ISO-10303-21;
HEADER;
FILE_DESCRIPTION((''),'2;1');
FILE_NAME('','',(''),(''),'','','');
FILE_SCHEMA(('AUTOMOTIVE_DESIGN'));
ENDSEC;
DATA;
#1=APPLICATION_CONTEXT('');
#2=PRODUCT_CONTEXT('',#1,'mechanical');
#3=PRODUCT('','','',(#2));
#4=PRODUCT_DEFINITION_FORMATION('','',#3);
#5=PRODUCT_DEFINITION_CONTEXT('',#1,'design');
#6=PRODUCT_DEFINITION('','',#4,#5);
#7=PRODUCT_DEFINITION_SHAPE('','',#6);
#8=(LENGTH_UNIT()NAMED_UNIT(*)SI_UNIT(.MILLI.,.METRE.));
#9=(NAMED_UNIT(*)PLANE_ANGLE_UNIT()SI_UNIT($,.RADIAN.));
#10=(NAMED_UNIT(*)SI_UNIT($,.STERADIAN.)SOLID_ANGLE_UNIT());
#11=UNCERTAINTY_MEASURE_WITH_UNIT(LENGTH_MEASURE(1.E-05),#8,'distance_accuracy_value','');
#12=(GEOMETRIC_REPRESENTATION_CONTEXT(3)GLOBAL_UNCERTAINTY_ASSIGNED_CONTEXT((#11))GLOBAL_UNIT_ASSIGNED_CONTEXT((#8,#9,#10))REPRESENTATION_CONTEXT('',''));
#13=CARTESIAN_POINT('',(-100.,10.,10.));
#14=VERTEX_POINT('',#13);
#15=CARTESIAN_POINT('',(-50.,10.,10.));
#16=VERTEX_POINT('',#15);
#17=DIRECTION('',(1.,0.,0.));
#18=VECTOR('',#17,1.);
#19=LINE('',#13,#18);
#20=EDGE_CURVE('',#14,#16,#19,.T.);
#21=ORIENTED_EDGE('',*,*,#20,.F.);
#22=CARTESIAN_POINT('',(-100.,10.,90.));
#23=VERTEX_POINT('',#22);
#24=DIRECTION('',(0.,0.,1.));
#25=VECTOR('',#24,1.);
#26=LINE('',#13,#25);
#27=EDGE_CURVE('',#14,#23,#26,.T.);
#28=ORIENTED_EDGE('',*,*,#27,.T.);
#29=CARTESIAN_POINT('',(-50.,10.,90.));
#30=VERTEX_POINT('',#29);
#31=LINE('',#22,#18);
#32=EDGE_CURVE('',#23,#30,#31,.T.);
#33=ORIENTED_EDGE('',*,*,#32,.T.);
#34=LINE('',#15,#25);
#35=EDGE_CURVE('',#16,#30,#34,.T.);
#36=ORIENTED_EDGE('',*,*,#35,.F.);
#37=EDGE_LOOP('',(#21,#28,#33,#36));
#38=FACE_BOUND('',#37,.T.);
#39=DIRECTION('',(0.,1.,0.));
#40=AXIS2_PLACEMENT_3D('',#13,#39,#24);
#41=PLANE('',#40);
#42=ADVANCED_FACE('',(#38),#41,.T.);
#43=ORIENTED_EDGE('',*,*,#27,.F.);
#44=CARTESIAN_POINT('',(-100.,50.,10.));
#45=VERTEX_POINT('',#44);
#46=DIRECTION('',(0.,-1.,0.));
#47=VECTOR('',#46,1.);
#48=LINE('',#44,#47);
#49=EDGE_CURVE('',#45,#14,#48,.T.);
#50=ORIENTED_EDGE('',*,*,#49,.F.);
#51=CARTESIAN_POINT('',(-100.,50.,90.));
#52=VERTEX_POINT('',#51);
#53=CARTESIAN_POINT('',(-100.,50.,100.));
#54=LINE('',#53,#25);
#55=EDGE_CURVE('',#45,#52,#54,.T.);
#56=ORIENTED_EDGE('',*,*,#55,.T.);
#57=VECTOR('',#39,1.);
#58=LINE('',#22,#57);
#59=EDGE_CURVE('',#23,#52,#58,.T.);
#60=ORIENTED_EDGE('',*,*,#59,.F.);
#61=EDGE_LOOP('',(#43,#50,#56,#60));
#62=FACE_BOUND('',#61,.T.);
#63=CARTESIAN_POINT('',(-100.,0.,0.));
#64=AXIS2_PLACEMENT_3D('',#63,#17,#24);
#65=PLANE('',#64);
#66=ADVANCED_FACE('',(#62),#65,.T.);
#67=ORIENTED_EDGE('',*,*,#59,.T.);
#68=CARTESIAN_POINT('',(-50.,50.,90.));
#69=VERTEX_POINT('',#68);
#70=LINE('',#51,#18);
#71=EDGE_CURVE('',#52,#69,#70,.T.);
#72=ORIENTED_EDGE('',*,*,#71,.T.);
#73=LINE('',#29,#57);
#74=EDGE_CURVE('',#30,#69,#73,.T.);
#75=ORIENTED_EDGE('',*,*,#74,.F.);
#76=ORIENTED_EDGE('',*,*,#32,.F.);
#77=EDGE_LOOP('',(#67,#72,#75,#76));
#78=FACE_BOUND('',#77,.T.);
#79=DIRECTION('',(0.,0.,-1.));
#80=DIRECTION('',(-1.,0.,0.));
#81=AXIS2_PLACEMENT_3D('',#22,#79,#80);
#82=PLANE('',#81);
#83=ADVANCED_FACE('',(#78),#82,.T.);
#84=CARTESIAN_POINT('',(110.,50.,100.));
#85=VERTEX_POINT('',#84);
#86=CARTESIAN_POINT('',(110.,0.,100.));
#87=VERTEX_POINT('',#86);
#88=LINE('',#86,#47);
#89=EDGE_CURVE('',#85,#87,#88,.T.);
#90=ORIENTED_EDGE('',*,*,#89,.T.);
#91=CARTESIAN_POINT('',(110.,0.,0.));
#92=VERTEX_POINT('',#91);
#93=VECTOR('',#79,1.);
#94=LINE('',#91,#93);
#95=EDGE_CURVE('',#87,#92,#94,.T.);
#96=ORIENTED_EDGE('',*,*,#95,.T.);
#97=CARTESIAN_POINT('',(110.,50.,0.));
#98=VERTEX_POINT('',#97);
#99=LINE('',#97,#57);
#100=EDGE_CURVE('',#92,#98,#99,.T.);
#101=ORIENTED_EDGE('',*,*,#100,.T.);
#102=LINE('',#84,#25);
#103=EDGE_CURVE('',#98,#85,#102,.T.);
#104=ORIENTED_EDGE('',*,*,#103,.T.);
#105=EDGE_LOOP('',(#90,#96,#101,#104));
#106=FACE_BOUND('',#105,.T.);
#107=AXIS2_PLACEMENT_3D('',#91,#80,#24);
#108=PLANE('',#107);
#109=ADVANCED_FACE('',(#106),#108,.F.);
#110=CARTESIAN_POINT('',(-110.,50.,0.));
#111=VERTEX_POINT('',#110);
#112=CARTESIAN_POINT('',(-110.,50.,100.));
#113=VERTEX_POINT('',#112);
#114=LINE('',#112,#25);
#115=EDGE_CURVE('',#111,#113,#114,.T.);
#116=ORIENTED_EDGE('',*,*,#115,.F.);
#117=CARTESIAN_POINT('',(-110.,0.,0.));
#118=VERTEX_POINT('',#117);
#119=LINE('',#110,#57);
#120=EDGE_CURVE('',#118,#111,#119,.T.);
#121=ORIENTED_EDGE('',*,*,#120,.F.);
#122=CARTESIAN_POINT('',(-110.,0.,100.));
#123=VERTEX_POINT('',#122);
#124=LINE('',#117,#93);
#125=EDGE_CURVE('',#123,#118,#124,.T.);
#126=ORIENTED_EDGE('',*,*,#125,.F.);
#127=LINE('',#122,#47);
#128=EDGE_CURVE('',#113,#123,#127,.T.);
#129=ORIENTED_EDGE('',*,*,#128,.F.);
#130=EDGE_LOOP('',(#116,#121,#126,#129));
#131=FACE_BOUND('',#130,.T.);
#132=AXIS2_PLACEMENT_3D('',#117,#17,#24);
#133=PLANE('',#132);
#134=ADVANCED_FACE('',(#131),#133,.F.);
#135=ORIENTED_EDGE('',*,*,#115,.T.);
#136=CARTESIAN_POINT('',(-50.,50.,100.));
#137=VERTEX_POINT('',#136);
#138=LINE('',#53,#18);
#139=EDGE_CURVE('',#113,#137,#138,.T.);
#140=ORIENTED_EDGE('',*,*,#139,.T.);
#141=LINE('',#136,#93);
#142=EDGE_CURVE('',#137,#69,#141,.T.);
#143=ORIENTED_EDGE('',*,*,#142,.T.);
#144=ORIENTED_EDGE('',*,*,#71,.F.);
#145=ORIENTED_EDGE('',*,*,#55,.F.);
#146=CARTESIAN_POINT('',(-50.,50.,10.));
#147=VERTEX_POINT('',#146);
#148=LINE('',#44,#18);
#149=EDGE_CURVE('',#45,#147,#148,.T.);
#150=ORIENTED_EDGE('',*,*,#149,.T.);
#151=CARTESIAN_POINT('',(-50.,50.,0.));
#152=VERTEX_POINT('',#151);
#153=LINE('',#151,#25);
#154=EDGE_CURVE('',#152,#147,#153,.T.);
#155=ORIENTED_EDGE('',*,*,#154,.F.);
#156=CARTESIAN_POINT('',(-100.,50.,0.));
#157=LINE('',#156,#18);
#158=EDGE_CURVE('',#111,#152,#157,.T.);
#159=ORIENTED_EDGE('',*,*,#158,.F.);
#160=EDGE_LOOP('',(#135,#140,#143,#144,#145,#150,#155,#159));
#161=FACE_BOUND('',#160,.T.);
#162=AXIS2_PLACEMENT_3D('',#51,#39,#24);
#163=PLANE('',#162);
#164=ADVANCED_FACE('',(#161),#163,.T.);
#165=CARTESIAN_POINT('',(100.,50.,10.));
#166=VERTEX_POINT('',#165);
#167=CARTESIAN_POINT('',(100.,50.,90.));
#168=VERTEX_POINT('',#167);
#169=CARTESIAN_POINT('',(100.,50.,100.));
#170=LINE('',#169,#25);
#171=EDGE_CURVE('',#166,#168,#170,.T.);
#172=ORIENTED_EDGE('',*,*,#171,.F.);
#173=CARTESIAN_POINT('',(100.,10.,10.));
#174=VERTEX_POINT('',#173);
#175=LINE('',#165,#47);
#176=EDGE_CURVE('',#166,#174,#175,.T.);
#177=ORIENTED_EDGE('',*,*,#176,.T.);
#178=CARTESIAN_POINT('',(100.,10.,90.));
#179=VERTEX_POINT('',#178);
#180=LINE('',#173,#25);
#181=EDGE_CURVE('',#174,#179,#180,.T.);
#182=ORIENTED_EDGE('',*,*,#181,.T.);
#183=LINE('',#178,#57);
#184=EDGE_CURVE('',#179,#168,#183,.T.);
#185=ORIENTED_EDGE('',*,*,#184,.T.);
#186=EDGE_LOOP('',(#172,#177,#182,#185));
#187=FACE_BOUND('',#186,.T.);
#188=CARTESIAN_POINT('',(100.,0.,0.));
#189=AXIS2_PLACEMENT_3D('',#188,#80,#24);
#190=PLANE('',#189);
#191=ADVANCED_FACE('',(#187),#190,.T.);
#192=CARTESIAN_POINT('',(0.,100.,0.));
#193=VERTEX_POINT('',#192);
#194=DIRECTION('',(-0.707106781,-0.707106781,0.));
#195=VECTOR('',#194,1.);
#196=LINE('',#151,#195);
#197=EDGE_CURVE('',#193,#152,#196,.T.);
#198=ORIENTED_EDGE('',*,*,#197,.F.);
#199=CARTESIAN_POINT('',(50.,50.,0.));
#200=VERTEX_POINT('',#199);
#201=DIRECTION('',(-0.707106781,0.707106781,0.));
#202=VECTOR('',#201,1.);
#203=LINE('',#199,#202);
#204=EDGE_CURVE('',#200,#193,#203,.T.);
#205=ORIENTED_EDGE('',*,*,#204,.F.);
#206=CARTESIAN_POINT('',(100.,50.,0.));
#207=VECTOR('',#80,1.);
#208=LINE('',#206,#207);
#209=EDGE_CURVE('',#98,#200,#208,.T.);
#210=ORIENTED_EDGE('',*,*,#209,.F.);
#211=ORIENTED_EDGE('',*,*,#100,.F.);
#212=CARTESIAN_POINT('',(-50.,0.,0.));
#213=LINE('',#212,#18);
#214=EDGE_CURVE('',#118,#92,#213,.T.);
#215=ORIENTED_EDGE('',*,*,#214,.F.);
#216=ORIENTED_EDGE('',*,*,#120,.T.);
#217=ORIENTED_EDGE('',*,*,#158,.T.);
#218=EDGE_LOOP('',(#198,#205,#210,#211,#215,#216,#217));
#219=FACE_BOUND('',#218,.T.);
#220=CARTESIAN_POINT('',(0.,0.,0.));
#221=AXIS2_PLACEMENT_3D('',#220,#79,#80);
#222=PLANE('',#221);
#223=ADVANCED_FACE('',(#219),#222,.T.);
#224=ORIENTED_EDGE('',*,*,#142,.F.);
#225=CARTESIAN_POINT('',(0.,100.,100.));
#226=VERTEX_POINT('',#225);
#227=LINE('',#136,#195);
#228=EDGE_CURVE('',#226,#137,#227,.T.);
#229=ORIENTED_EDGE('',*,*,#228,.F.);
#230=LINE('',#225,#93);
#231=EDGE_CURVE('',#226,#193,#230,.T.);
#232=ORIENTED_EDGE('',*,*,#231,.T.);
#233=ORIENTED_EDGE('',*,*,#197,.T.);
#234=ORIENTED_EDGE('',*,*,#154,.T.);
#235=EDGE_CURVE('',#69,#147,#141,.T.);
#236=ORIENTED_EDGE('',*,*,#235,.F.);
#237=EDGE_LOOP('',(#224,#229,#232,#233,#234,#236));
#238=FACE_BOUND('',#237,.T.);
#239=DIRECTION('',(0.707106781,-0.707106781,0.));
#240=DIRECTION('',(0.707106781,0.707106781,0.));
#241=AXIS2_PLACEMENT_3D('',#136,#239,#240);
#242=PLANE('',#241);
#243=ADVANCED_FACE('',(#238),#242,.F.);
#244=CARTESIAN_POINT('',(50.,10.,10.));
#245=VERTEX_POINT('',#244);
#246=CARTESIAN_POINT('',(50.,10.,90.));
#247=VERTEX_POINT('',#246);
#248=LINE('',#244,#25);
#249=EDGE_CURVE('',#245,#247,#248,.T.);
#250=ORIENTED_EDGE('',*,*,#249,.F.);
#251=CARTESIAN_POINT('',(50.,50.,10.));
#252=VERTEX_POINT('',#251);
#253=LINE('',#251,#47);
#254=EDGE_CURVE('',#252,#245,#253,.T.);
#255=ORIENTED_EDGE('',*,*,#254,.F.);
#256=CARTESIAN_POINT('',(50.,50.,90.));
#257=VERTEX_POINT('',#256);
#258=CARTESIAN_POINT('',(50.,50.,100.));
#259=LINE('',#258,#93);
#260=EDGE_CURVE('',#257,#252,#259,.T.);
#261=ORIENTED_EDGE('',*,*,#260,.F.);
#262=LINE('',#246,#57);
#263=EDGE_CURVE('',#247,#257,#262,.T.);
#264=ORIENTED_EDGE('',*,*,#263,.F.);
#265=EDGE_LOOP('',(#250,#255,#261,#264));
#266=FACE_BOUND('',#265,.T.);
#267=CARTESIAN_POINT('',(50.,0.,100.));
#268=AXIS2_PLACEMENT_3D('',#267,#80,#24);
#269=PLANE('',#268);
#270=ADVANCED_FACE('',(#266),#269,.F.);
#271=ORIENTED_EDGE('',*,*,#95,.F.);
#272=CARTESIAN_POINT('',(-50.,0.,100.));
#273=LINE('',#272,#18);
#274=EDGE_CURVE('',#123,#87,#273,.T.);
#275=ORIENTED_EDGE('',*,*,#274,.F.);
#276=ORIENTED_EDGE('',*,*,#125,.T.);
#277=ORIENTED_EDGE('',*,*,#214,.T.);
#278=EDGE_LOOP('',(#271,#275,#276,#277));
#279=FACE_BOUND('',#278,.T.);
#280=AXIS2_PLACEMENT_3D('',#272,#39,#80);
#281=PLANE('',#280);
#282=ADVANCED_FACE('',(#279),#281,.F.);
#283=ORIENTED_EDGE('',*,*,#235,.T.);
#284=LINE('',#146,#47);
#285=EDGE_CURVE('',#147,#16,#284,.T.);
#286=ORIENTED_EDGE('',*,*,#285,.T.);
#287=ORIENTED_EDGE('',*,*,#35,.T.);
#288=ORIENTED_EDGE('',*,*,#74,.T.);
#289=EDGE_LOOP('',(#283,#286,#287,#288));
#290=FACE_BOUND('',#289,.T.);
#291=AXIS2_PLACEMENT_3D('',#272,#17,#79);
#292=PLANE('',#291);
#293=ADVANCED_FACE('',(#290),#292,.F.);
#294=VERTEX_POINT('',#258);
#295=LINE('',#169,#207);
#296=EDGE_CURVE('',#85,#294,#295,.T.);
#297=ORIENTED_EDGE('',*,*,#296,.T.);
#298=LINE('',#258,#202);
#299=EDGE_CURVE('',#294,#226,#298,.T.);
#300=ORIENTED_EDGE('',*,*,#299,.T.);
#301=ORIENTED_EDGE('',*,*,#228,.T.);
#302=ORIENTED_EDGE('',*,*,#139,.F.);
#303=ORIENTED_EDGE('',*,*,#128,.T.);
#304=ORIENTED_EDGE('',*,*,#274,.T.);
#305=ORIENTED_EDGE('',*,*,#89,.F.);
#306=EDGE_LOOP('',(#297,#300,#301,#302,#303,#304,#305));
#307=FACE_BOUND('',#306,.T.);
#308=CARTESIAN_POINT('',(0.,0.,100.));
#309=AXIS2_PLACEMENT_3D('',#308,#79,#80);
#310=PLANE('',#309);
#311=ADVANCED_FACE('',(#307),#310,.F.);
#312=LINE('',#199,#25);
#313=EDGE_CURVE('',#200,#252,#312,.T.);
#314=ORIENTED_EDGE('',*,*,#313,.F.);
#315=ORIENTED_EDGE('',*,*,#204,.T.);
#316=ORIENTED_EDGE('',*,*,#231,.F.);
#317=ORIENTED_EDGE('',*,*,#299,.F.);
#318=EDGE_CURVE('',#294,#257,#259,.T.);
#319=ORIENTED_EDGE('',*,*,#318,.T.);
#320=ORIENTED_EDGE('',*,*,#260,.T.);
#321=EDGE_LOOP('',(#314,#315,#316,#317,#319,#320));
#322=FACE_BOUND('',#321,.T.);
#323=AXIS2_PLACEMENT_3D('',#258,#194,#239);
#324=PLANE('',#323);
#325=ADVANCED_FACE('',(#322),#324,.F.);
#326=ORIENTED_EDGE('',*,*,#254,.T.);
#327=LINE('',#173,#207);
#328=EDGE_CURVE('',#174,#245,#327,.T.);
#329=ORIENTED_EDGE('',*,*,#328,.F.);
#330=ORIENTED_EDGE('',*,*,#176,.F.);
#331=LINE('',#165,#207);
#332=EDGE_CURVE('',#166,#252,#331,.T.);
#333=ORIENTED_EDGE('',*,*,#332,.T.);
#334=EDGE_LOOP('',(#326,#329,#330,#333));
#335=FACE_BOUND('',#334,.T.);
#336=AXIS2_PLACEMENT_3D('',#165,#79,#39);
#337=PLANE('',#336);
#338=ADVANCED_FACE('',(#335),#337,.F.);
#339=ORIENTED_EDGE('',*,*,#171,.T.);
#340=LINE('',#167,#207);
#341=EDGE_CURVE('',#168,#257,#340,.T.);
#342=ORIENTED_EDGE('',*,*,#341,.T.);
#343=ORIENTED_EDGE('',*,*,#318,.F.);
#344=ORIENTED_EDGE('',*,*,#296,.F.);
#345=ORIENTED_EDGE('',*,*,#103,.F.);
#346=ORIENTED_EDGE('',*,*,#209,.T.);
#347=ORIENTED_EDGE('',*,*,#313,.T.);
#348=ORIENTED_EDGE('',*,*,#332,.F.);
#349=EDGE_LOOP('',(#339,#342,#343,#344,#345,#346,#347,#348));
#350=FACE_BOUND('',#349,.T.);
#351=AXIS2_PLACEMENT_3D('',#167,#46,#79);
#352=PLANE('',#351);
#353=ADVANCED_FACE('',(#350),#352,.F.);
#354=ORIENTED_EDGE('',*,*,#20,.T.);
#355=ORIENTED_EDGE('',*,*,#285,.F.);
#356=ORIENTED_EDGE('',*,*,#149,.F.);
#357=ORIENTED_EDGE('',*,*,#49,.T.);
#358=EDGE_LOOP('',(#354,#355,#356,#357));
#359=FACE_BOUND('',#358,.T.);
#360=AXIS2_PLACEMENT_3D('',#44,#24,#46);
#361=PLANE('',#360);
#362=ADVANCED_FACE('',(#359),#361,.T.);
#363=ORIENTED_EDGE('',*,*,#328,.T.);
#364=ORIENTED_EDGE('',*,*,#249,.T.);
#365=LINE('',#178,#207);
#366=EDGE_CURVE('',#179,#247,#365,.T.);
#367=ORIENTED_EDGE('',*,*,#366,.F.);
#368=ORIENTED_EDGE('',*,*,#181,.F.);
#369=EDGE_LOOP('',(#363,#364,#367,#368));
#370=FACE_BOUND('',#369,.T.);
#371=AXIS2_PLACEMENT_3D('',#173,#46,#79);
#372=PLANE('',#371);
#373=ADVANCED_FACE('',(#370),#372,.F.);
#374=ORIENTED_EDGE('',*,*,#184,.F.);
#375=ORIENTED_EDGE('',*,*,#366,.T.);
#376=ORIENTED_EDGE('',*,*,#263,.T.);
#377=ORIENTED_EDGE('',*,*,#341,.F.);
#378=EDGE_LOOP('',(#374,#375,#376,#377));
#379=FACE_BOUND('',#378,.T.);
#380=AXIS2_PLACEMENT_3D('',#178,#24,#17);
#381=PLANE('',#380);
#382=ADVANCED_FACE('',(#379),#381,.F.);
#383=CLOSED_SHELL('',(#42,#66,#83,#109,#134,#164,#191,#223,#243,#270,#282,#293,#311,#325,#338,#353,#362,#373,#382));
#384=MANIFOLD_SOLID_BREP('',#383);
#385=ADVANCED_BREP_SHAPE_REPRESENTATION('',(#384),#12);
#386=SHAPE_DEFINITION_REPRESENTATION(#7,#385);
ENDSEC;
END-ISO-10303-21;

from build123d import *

# Parameters (mm, degrees)
BOSS_EXTRUDE1_DEPTH = 100
BOSS_EXTRUDE2_DEPTH = 50
SKETCH5_W           = 100
SKETCH5_H           = 50
BOSS_EXTRUDE3_DEPTH = 10


with BuildPart() as part:
    # Sketch2 → Boss-Extrude1 (new body)
    with BuildSketch(Plane.XY):
        Polygon((-50, 0), (50, 0), (50, 50), (0, 100), (-50, 50), align=None)
    extrude(amount=BOSS_EXTRUDE1_DEPTH)

    # Sketch4 → Boss-Extrude2 (add)
    with BuildSketch(Plane(origin=(50, 0, 0), x_dir=(0, 0, -1), z_dir=(1, 0, 0))):
        Polygon((-100, 50), (-100, 0), (0, 0), (0, 50), (-10, 50), (-10, 10), (-90, 10), (-90, 50), align=None)
    boss_extrude2 = extrude(amount=BOSS_EXTRUDE2_DEPTH)

    # Sketch5 → Boss-Extrude3 (add)
    with BuildSketch(Plane(origin=(100, 0, 0), x_dir=(0, 0, -1), z_dir=(1, 0, 0))):
        with Locations((-50, 25)):
            Rectangle(SKETCH5_W, SKETCH5_H)
    boss_extrude3 = extrude(amount=BOSS_EXTRUDE3_DEPTH)

    # Mirror1: Boss-Extrude2, Boss-Extrude3 across plane
    add(boss_extrude2.mirror(Plane(origin=(0, 0, 0), x_dir=(0, 0, 1), z_dir=(1, 0, 0))))
    add(boss_extrude3.mirror(Plane(origin=(0, 0, 0), x_dir=(0, 0, 1), z_dir=(1, 0, 0))))


solid = part.part
